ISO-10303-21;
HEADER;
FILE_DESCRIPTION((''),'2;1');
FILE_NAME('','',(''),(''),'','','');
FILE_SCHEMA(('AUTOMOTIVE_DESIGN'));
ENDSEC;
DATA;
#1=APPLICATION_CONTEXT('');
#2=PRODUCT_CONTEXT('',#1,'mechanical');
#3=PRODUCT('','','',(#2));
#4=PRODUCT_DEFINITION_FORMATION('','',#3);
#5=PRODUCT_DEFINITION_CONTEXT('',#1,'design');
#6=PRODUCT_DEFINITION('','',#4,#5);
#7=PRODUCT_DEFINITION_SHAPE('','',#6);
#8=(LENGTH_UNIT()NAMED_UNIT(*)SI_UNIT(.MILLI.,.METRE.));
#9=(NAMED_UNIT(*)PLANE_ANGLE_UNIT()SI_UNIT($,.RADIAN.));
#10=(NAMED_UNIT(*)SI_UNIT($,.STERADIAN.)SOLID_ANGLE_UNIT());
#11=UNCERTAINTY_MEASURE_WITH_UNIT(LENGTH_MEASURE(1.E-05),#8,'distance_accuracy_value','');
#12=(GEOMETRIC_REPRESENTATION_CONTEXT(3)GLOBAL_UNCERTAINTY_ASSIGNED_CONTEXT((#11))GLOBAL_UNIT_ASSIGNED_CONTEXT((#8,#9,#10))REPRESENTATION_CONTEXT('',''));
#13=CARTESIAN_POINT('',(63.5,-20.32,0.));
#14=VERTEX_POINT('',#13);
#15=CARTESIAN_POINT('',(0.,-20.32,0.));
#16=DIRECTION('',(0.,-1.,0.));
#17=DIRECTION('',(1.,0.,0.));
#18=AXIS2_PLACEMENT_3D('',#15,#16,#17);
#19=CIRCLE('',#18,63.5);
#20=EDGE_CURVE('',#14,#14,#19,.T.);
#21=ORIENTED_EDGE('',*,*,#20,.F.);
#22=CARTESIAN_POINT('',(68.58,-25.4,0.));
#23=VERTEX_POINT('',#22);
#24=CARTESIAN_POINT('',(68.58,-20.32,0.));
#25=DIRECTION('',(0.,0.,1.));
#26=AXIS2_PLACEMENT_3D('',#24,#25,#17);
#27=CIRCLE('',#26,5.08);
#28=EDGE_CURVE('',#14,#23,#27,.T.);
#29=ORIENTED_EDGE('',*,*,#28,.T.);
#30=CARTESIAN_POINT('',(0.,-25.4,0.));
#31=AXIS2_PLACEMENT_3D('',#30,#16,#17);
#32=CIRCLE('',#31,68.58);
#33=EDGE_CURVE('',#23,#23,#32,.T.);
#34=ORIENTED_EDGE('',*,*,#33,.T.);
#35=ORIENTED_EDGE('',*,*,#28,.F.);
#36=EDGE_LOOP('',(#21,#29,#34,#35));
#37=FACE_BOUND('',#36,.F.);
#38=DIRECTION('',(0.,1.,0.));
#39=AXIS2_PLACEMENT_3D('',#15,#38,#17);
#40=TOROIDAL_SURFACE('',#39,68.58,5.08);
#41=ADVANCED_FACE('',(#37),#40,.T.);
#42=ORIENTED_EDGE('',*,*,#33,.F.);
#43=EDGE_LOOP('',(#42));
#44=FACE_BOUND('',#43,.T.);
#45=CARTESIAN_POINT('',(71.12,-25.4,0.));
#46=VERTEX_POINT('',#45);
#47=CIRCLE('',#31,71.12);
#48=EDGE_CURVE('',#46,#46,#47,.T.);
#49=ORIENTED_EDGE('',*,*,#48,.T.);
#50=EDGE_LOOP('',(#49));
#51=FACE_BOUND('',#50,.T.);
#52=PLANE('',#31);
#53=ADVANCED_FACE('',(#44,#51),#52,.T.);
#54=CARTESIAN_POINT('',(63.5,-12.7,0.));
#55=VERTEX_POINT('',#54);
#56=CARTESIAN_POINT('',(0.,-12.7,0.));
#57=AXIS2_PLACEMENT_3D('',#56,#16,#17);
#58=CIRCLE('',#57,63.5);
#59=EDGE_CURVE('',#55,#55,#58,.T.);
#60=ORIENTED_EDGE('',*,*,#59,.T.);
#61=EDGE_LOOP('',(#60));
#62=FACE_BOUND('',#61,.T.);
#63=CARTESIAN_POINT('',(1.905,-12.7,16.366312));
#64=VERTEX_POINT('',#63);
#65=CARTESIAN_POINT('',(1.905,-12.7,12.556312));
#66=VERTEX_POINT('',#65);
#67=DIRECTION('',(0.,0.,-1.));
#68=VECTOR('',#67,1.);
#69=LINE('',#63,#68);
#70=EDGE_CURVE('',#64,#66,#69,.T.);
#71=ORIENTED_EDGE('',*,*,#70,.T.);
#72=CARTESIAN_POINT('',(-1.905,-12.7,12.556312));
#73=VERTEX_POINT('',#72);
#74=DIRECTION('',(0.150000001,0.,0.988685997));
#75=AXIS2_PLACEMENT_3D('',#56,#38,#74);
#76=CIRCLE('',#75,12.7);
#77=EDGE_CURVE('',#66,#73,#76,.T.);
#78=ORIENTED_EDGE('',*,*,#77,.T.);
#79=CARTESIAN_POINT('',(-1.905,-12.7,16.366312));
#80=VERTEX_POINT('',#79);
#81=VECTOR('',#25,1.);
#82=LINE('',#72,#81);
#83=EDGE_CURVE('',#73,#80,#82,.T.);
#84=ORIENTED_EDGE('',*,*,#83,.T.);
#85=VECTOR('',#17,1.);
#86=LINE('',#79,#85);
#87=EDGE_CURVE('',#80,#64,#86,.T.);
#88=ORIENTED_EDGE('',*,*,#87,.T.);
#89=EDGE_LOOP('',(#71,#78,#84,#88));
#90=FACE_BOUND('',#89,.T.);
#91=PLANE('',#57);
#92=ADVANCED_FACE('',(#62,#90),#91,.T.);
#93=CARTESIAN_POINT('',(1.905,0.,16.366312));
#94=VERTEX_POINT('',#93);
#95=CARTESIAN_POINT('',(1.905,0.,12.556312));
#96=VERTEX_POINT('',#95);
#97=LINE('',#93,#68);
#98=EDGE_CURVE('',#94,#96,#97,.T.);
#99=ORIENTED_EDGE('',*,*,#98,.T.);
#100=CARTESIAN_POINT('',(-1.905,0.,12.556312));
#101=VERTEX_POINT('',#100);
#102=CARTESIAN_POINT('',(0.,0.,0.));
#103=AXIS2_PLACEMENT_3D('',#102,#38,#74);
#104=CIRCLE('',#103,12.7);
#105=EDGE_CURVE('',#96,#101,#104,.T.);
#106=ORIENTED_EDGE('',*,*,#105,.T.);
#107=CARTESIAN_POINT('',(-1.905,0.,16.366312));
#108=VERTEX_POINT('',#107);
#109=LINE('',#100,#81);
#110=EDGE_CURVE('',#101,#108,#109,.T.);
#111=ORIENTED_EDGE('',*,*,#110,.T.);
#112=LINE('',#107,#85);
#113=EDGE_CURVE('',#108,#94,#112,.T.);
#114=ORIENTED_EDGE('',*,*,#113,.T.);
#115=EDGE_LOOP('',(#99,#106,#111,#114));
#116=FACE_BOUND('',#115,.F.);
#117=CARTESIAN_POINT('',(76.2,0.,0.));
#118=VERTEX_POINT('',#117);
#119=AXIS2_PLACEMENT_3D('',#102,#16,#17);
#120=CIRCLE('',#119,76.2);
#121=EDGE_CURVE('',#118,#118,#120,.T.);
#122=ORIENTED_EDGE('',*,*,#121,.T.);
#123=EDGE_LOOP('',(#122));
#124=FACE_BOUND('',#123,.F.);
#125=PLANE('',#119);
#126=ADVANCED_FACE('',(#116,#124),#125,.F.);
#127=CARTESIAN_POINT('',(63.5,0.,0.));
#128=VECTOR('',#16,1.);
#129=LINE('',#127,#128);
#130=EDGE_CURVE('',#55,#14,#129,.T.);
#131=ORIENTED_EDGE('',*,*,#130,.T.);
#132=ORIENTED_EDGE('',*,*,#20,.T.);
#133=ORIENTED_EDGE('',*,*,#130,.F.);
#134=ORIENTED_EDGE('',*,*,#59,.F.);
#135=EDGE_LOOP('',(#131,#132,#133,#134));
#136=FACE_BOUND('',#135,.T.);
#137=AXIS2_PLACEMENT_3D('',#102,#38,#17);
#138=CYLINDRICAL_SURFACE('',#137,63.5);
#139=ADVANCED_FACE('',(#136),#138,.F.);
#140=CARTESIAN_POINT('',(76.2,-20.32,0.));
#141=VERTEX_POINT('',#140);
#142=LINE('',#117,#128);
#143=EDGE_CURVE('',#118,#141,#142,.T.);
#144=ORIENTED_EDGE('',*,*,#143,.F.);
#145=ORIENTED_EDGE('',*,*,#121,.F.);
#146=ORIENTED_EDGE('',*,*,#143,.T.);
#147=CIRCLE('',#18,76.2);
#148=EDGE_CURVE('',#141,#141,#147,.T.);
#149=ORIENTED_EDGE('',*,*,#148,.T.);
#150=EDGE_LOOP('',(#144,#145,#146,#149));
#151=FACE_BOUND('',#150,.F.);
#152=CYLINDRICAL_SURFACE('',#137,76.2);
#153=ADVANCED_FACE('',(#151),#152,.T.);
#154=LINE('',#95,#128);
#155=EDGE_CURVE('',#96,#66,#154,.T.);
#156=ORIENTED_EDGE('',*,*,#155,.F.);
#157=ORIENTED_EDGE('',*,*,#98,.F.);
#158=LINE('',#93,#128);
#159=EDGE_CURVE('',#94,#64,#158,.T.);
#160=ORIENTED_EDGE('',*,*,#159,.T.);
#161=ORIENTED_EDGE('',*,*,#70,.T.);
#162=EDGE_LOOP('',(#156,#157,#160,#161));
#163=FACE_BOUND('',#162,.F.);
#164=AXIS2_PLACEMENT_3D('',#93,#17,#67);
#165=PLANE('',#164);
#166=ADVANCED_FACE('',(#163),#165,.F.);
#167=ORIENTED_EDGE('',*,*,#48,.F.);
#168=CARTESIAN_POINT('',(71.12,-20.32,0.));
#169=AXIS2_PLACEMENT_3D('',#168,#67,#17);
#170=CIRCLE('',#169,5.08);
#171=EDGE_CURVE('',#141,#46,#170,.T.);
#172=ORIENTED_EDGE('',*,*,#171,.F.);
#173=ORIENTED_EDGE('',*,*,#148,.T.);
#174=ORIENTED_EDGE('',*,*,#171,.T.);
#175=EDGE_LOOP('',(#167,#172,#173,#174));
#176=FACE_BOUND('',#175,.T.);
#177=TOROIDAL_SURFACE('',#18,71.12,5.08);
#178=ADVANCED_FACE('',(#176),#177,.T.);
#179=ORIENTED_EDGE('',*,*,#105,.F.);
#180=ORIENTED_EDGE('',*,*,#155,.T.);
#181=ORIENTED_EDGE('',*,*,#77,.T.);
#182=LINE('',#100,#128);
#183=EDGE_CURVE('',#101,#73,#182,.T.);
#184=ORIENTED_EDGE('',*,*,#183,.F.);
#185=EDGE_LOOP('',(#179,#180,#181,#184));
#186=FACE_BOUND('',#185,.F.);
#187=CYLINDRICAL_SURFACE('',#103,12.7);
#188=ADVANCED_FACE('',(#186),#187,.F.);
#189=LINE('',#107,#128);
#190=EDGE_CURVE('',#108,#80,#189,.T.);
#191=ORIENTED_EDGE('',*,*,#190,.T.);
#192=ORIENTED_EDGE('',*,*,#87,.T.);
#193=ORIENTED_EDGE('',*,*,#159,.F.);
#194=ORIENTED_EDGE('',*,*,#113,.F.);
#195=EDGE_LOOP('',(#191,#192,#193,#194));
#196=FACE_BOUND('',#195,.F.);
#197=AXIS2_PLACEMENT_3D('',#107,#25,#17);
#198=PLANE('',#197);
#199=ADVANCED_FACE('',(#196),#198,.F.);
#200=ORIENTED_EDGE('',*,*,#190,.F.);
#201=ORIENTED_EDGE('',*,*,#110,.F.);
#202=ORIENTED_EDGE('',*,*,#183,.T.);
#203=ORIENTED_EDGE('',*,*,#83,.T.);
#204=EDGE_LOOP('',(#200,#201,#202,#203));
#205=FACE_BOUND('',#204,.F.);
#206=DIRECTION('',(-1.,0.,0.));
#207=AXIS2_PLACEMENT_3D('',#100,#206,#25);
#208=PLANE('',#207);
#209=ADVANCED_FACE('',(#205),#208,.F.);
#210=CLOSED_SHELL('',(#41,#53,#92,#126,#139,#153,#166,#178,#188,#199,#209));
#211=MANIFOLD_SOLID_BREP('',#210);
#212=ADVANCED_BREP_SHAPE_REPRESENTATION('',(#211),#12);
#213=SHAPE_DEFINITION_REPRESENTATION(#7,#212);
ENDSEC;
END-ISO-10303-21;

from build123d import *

# Parameters (mm, degrees)
F0_R     = 76.2
F0_R_2   = 63.5
F1_DEPTH = 25.4
F2_DEPTH = 12.7
F3_R     = 5.08


with BuildPart() as f1:
    # F0 (on Front) → F1 (new body)
    with BuildSketch(Plane.XZ):
        Circle(F0_R)
        Circle(F0_R_2, mode=Mode.SUBTRACT)
    extrude(amount=F1_DEPTH)

    # F0 (on Front) → F2 (join)
    with BuildSketch(Plane.XZ):
        Circle(F0_R_2)
        with BuildLine():
            ThreePointArc((1.905, 12.556312), (0, -12.7), (-1.905, 12.556312))
            Line((-1.905, 12.556312), (-1.905, 16.366312))
            Line((-1.905, 16.366312), (1.905, 16.366312))
            Line((1.905, 16.366312), (1.905, 12.556312))
        make_face(mode=Mode.SUBTRACT)
    extrude(amount=F2_DEPTH)

    # F3
    f3_edges = [f1.edges().sort_by_distance(p)[0] for p in [
        (-76.2, -25.4, 0),
        (-63.5, -25.4, 0),
    ]]
    fillet(f3_edges, radius=F3_R)


solid = f1.part
